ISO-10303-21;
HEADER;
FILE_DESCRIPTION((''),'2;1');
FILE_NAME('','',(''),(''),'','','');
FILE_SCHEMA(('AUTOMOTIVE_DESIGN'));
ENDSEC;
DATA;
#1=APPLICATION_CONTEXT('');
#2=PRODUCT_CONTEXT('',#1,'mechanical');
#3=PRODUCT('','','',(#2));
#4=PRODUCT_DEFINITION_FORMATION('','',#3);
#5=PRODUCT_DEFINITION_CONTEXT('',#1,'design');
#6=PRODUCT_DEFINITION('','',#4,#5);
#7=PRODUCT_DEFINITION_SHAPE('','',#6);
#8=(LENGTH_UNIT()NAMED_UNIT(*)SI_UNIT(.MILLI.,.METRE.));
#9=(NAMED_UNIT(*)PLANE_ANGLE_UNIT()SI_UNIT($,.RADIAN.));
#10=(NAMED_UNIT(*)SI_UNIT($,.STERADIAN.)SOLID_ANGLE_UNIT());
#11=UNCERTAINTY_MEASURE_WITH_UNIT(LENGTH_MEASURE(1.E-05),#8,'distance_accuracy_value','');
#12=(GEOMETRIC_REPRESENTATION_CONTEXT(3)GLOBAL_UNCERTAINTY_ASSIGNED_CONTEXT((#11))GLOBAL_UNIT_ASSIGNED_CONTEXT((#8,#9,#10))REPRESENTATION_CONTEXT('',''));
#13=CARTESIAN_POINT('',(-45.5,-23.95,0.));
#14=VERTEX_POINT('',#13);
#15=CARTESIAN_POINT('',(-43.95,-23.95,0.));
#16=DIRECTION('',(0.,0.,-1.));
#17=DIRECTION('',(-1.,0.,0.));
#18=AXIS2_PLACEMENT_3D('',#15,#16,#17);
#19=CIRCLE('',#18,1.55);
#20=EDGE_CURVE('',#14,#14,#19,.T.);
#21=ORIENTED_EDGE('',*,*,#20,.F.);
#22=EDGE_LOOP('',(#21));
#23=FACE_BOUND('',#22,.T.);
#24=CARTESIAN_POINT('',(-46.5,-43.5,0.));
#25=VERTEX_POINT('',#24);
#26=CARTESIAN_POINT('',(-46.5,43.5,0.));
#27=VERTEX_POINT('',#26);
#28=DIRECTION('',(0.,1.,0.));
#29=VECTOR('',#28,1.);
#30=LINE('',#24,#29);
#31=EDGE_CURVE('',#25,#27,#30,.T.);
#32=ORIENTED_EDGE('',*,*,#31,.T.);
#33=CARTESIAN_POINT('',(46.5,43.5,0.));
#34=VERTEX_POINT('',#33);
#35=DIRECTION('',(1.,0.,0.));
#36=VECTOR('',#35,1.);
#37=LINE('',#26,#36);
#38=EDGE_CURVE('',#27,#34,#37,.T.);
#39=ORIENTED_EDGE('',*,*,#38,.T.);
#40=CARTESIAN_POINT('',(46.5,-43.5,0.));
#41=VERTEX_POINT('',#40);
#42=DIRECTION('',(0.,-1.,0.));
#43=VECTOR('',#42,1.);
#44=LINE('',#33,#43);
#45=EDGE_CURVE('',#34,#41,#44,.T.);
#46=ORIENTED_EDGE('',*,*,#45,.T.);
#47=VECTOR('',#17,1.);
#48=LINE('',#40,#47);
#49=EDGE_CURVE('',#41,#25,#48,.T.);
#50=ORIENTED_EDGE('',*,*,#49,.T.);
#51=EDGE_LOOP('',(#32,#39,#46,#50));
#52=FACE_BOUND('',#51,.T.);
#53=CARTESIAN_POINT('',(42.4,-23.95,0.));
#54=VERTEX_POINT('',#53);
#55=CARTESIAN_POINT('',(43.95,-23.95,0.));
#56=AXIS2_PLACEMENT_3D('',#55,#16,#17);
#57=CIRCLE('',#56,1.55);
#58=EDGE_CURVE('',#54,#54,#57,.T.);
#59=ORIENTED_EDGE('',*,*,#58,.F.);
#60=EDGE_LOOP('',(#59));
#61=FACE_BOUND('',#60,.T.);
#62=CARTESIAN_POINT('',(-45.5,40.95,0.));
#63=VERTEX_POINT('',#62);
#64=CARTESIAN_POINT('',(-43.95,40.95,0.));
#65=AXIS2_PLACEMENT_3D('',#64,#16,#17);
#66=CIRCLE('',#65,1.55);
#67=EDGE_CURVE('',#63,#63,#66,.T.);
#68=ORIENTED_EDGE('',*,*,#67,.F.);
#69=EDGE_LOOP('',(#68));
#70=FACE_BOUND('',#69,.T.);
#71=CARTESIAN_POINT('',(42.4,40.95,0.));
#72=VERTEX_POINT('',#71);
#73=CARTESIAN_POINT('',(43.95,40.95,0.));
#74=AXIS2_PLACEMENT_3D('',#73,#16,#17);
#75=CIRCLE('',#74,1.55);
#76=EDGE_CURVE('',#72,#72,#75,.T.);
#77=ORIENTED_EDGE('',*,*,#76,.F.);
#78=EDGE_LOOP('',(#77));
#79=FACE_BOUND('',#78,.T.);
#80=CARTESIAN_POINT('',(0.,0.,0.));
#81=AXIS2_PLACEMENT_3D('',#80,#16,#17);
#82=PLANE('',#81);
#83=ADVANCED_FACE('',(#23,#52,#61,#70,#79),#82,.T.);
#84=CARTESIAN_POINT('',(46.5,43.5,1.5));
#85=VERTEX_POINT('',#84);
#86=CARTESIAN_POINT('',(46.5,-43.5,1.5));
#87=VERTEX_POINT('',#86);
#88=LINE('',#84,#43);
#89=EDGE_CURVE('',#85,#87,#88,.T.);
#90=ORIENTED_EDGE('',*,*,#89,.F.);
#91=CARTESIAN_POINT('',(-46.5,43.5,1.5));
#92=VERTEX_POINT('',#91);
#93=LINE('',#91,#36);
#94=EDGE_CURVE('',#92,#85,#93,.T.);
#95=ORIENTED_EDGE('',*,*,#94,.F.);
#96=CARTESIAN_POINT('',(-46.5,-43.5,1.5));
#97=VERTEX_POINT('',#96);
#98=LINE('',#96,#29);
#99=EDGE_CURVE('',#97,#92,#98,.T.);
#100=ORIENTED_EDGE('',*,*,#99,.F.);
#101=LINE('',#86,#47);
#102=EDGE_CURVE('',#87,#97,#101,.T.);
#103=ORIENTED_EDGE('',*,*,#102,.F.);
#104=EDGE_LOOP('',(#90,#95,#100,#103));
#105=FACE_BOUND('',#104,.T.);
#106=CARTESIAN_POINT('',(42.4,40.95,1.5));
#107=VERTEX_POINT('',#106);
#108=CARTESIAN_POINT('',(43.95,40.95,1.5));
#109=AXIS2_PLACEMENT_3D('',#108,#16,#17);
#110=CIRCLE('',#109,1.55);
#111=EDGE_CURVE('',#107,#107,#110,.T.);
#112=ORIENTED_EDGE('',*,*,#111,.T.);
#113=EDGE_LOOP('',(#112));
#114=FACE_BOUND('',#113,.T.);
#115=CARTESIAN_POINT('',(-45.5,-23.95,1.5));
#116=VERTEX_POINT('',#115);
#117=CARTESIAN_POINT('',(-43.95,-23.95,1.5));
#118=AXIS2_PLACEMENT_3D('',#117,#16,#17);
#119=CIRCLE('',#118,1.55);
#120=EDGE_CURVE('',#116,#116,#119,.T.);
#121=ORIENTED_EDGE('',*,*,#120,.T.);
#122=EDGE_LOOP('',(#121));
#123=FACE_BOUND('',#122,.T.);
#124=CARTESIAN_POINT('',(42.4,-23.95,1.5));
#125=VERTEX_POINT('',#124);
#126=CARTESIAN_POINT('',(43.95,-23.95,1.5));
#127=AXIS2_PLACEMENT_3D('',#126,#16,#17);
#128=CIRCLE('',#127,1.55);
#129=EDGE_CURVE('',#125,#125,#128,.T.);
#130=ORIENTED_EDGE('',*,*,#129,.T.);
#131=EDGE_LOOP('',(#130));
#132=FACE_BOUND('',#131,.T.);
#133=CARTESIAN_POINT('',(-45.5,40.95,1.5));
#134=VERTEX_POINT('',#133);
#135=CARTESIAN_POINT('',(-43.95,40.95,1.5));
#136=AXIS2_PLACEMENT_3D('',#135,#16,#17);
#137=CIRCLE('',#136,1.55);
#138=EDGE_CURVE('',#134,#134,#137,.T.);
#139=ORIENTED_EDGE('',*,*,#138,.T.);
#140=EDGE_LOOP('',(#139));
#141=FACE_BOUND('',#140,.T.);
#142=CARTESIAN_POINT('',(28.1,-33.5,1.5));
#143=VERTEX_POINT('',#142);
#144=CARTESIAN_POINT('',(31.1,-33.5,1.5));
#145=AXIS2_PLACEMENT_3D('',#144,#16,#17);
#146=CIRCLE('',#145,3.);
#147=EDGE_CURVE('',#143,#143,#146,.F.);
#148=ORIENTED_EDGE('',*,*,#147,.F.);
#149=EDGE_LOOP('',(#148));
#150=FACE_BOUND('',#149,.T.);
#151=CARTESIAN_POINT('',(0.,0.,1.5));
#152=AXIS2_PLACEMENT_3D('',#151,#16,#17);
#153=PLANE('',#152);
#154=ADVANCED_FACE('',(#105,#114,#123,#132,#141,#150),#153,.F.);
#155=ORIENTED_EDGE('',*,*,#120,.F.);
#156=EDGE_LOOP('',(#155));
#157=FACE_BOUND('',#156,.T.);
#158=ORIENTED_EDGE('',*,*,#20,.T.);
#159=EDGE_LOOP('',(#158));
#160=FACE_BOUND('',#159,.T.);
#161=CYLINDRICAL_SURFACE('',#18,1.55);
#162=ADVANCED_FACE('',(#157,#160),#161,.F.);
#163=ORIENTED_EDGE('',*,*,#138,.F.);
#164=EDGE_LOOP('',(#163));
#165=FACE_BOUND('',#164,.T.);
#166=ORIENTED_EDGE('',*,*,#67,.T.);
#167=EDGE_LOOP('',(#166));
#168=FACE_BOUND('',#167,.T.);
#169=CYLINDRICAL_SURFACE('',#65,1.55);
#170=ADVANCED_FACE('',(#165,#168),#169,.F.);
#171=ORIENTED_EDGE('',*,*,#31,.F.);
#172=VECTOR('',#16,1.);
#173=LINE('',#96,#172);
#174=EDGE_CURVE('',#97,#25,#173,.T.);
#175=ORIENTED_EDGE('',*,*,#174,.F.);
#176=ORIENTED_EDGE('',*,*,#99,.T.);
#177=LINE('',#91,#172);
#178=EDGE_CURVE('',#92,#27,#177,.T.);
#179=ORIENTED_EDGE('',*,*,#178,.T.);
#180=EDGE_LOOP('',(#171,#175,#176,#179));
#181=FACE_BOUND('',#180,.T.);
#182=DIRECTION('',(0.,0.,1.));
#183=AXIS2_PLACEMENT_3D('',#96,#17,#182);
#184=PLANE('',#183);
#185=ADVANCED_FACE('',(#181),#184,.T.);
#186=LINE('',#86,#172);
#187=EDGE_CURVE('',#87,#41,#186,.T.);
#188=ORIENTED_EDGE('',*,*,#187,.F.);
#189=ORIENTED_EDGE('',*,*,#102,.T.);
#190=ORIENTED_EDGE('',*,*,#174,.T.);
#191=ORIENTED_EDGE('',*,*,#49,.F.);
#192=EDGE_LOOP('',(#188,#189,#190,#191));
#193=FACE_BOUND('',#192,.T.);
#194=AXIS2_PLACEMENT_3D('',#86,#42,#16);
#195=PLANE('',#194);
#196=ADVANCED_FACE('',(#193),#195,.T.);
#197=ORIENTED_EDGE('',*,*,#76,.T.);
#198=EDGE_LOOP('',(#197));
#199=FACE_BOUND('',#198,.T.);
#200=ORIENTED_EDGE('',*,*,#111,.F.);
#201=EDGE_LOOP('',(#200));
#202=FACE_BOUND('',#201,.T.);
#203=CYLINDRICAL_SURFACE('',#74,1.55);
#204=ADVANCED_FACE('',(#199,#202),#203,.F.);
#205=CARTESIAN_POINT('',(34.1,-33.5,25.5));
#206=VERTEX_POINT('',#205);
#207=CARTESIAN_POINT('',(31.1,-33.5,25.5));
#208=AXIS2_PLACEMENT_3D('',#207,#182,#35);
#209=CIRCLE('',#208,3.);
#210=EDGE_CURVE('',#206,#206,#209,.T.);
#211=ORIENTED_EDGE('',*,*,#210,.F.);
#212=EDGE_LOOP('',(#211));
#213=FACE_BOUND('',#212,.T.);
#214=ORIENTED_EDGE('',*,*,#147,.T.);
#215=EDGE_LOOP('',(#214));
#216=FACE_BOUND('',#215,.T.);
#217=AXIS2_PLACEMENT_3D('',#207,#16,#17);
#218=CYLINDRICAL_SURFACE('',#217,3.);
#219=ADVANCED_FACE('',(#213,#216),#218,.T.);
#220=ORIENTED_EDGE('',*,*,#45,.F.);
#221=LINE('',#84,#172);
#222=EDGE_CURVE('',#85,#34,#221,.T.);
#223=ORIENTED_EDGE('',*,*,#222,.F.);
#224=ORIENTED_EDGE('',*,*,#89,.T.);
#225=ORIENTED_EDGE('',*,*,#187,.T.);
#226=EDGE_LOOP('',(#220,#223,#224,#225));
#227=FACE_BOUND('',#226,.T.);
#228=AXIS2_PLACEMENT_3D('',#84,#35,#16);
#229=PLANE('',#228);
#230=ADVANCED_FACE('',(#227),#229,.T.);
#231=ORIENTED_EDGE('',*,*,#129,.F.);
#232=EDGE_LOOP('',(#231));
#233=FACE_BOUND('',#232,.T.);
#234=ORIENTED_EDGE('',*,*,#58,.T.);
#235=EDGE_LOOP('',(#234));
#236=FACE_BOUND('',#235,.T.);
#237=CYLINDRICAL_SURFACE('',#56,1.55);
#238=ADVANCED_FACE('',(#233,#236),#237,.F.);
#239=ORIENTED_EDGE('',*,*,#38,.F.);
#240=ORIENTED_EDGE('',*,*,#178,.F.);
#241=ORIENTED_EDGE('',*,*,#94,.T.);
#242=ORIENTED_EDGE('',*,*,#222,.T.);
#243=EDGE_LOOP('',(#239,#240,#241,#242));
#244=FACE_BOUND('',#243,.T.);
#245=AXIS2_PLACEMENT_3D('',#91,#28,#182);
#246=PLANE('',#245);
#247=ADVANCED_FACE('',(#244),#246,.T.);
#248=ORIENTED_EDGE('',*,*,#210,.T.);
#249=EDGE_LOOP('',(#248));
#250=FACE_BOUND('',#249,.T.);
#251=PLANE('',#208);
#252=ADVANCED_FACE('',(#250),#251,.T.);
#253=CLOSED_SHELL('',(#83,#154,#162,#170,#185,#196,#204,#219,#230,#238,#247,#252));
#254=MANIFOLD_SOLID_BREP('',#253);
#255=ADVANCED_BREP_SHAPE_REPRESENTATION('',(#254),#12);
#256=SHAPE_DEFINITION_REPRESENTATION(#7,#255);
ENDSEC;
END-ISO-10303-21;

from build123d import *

# Parameters (mm, degrees)
CROQUIS1_W                      = 93
CROQUIS1_H                      = 87
SALIENTE_EXTRUIR1_DEPTH         = 1.5
DI_METRO_DE_TALADRO_3_1_3_1_1_D = 3.1
CROQUIS9_R                      = 3
SALIENTE_EXTRUIR4_DEPTH         = 24


with BuildPart() as part:
    # Croquis1 → Saliente-Extruir1 (new body)
    with BuildSketch(Plane(origin=(0, 0, 0), x_dir=(-1, 0, 0), z_dir=(0, 0, -1))):
        Rectangle(CROQUIS1_W, CROQUIS1_H)
    extrude(amount=-SALIENTE_EXTRUIR1_DEPTH)

    # Diámetro de taladro Ø3.1 (3.1)1 (through all)
    with Locations(Plane(origin=(0, 0, 0), x_dir=(-1, 0, 0), z_dir=(0, 0, -1))):
        with Locations((43.95, -23.95), (-43.95, -23.95), (43.95, 40.95), (-43.95, 40.95)):
            Hole(DI_METRO_DE_TALADRO_3_1_3_1_1_D / 2)

    # Croquis9 → Saliente-Extruir4 (add)
    with BuildSketch(Plane.XY.offset(1.5)):
        with Locations(Location((31.1, -33.5, 0), (0, 0, 180))):
            Circle(CROQUIS9_R)
    extrude(amount=SALIENTE_EXTRUIR4_DEPTH)


solid = part.part
